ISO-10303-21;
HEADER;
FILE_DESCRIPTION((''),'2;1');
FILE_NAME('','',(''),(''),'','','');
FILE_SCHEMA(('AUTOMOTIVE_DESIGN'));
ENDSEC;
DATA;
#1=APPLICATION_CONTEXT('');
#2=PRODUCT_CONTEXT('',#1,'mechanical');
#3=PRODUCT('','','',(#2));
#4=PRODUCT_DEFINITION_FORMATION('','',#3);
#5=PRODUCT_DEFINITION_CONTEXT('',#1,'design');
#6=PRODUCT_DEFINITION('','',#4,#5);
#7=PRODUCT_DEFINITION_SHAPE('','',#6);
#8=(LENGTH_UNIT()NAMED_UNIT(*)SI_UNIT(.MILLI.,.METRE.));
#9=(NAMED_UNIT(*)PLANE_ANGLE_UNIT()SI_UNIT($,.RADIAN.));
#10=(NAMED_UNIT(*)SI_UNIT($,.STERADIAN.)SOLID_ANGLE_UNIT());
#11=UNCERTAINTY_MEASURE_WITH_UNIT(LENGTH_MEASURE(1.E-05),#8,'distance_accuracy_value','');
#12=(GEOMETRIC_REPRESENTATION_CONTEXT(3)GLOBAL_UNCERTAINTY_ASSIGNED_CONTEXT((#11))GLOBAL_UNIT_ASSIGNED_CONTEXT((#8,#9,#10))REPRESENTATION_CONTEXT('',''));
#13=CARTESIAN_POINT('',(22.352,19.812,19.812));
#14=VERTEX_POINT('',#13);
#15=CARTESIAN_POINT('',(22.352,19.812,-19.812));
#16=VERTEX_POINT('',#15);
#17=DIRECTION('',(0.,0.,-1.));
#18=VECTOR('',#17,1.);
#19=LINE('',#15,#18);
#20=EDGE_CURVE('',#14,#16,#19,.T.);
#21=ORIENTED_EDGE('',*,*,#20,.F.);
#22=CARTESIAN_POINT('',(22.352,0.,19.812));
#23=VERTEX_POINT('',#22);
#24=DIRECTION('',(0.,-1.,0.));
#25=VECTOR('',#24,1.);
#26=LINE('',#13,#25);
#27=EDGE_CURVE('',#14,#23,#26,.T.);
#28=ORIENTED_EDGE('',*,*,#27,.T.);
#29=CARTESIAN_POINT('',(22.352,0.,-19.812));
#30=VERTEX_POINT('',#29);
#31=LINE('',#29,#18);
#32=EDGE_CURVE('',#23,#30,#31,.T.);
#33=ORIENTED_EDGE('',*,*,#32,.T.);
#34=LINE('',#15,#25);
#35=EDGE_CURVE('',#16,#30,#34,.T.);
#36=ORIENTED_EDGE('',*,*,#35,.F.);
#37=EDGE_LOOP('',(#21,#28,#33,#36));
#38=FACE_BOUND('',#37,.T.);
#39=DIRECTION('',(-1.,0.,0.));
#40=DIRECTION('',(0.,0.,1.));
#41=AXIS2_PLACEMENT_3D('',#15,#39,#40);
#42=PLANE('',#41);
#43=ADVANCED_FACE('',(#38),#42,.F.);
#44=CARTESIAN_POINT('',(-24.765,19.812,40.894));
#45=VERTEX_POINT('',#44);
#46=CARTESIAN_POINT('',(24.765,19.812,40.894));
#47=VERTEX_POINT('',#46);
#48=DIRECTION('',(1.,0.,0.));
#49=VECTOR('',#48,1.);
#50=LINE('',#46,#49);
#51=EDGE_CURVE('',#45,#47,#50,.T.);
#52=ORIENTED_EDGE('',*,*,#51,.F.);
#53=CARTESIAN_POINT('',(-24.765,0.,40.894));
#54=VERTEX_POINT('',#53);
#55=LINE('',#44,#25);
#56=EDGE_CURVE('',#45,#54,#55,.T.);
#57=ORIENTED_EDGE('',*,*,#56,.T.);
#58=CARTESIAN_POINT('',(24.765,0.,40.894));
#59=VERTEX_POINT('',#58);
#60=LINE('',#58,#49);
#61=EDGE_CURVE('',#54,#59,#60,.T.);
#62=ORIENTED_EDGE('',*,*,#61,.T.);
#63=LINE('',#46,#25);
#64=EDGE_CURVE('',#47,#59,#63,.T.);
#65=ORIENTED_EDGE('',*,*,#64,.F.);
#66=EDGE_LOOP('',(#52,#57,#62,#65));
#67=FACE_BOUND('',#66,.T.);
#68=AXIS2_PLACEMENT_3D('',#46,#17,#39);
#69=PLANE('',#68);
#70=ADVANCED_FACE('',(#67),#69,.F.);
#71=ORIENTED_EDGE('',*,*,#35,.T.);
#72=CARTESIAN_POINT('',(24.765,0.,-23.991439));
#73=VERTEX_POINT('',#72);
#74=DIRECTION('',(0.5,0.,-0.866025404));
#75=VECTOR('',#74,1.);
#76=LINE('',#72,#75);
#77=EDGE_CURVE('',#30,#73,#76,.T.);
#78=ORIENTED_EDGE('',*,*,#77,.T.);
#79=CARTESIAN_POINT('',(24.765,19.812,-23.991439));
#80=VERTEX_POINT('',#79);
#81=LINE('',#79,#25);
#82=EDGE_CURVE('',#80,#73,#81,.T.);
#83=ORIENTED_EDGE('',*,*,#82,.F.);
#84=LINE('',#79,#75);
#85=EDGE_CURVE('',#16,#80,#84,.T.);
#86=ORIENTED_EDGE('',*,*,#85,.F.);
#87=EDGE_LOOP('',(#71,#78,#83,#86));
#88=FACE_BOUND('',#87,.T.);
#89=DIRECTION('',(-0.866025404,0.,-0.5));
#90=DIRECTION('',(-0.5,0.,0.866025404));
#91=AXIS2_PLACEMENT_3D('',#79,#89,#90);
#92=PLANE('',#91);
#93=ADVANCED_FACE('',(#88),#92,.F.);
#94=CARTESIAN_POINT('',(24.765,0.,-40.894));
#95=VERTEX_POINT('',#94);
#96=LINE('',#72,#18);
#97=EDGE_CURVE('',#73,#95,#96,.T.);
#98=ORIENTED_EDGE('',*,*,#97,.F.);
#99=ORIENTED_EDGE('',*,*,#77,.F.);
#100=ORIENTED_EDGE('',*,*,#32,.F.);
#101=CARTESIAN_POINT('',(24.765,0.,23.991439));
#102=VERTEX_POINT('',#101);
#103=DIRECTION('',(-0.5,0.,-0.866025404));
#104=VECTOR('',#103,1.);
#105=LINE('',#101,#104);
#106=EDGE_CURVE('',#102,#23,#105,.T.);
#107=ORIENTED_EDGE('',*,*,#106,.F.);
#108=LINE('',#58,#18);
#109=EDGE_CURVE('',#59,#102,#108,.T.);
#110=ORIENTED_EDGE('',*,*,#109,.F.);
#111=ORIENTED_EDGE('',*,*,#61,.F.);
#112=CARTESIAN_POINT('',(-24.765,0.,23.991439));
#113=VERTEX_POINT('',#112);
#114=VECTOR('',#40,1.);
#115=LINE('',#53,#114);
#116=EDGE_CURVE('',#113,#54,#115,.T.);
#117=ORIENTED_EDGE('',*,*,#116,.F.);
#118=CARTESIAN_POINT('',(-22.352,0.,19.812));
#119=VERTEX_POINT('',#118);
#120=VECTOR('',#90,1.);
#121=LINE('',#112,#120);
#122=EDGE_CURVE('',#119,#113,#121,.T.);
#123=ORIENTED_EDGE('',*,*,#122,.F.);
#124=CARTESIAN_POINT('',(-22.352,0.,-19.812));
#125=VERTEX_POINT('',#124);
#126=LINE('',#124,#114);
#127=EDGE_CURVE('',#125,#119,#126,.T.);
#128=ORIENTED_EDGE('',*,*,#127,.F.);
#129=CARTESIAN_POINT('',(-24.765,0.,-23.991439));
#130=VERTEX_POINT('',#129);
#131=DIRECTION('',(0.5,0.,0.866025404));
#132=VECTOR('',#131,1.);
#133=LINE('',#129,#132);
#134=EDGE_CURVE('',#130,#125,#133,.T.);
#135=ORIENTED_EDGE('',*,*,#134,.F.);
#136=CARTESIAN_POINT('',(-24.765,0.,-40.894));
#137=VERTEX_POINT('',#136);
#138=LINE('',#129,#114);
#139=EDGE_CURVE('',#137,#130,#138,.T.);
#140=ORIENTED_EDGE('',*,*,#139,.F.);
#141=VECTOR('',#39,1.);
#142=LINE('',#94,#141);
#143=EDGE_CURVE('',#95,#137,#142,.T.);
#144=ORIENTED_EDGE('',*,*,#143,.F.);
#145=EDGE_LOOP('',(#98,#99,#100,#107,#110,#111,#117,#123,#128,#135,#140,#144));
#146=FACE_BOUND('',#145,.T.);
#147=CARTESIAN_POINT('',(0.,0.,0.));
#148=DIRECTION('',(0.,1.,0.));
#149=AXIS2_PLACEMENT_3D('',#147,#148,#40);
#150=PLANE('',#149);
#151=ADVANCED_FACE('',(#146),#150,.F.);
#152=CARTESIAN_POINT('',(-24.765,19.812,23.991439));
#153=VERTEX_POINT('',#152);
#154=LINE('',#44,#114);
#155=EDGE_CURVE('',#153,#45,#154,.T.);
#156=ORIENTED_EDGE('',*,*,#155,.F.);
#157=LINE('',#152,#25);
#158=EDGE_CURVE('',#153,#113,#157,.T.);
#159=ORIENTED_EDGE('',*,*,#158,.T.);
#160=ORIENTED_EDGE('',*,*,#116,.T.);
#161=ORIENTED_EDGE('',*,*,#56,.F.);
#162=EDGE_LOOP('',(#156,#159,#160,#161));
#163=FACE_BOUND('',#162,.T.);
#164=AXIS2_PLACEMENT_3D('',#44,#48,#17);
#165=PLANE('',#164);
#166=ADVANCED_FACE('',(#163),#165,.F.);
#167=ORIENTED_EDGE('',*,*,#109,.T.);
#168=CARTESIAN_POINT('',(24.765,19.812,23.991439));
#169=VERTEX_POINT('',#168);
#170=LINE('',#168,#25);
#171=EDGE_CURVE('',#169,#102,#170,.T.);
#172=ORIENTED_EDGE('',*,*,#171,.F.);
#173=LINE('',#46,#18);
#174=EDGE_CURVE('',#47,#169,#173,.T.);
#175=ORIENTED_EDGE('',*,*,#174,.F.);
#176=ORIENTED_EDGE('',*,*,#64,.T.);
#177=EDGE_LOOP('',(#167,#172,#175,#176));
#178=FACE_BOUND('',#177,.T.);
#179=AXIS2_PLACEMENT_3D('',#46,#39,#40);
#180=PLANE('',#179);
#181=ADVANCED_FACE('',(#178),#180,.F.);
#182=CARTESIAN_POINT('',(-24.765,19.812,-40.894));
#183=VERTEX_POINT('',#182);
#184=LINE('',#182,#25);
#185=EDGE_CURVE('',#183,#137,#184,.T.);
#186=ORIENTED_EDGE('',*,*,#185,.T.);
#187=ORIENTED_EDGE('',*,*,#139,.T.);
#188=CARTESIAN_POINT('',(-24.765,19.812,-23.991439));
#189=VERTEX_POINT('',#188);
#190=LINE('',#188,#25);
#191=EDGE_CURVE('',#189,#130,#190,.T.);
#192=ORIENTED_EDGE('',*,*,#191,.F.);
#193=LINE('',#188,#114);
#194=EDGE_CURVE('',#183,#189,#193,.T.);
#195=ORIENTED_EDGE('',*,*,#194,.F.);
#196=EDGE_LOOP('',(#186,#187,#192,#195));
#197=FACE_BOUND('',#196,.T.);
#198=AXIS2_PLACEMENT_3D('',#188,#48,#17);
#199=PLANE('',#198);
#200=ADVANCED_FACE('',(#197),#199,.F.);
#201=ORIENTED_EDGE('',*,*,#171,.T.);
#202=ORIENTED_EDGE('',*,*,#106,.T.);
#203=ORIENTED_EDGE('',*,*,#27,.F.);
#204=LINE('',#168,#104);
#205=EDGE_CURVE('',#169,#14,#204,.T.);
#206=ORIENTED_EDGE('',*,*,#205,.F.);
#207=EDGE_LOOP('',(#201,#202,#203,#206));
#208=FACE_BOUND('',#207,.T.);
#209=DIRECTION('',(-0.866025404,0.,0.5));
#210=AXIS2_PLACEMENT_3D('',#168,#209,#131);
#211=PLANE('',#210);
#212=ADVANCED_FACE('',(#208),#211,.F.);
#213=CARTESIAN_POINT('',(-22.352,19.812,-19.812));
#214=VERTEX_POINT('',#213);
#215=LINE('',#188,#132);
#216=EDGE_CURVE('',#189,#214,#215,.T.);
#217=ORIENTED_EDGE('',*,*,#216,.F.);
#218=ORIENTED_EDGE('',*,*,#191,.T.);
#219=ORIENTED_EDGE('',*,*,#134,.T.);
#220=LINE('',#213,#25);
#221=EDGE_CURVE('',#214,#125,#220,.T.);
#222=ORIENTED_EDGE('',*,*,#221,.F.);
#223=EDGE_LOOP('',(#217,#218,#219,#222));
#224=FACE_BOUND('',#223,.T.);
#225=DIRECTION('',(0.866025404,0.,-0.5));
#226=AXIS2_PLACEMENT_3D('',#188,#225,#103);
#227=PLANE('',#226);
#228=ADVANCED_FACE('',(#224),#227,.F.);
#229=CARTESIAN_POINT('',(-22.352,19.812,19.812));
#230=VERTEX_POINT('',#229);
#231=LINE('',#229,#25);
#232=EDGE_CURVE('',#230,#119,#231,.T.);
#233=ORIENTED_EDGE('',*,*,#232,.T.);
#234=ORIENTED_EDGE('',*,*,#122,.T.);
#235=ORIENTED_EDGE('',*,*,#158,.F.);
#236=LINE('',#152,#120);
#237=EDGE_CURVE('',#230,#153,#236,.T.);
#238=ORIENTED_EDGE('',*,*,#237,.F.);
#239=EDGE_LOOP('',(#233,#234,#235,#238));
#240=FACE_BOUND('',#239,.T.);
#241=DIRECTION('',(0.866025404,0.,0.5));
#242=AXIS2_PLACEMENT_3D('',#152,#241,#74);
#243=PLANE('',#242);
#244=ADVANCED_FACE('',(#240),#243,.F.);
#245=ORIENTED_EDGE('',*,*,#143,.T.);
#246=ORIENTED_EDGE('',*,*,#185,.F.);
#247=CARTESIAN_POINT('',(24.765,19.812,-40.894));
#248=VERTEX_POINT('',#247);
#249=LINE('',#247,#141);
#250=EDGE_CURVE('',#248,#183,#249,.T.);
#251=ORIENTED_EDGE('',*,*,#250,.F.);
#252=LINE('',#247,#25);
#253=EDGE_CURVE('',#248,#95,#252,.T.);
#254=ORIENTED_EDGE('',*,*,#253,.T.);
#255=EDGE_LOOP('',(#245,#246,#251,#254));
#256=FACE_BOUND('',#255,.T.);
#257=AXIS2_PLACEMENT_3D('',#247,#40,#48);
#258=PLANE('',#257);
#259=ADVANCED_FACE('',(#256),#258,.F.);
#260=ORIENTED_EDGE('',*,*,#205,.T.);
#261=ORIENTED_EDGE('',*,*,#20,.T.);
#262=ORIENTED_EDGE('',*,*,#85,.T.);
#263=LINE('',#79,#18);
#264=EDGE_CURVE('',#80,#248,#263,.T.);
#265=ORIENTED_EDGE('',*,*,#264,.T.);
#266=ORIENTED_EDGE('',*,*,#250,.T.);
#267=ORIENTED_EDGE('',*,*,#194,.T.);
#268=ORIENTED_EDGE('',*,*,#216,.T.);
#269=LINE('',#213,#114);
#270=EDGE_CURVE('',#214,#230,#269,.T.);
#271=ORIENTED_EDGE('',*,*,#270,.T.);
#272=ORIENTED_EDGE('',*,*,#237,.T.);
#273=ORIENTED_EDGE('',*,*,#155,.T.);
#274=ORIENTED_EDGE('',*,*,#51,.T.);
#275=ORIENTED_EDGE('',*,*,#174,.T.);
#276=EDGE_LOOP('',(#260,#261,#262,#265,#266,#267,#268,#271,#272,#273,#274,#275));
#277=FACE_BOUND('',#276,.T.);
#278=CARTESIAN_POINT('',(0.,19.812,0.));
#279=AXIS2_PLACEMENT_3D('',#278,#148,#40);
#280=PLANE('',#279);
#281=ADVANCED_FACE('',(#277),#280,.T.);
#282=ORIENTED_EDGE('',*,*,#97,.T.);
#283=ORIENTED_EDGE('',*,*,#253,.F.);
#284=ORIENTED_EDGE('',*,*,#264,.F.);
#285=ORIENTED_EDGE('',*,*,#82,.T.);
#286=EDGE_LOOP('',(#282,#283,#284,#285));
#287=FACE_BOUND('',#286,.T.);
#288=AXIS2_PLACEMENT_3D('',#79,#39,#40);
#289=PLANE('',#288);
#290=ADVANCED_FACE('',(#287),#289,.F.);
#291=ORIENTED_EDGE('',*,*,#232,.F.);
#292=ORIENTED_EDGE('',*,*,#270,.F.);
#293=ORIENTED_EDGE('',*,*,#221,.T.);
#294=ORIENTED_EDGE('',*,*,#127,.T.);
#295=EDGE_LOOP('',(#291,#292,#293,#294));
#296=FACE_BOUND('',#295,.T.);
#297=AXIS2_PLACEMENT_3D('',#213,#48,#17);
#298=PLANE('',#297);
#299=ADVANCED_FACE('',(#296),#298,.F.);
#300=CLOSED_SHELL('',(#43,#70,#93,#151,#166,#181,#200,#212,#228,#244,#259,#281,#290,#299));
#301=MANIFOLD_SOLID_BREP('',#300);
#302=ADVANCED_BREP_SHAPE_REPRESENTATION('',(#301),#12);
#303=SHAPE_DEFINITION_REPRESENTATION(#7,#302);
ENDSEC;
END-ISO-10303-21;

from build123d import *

# Parameters (mm, degrees)
BOSS_EXTRUDE2_DEPTH = 19.812


with BuildPart() as part:
    # Sketch2 → Boss-Extrude2 (new body)
    with BuildSketch(Plane(origin=(0, 0, 0), x_dir=(1, 0, 0), z_dir=(0, 1, 0))):
        Polygon((24.765, -40.894), (-24.765, -40.894), (-24.765, -23.991438599), (-22.352, -19.812), (-22.352, 19.812), (-24.765, 23.991438599), (-24.765, 40.894), (24.765, 40.894), (24.765, 23.991438599), (22.352, 19.812), (22.352, -19.812), (24.765, -23.991438599), align=None)
    extrude(amount=BOSS_EXTRUDE2_DEPTH)


solid = part.part
